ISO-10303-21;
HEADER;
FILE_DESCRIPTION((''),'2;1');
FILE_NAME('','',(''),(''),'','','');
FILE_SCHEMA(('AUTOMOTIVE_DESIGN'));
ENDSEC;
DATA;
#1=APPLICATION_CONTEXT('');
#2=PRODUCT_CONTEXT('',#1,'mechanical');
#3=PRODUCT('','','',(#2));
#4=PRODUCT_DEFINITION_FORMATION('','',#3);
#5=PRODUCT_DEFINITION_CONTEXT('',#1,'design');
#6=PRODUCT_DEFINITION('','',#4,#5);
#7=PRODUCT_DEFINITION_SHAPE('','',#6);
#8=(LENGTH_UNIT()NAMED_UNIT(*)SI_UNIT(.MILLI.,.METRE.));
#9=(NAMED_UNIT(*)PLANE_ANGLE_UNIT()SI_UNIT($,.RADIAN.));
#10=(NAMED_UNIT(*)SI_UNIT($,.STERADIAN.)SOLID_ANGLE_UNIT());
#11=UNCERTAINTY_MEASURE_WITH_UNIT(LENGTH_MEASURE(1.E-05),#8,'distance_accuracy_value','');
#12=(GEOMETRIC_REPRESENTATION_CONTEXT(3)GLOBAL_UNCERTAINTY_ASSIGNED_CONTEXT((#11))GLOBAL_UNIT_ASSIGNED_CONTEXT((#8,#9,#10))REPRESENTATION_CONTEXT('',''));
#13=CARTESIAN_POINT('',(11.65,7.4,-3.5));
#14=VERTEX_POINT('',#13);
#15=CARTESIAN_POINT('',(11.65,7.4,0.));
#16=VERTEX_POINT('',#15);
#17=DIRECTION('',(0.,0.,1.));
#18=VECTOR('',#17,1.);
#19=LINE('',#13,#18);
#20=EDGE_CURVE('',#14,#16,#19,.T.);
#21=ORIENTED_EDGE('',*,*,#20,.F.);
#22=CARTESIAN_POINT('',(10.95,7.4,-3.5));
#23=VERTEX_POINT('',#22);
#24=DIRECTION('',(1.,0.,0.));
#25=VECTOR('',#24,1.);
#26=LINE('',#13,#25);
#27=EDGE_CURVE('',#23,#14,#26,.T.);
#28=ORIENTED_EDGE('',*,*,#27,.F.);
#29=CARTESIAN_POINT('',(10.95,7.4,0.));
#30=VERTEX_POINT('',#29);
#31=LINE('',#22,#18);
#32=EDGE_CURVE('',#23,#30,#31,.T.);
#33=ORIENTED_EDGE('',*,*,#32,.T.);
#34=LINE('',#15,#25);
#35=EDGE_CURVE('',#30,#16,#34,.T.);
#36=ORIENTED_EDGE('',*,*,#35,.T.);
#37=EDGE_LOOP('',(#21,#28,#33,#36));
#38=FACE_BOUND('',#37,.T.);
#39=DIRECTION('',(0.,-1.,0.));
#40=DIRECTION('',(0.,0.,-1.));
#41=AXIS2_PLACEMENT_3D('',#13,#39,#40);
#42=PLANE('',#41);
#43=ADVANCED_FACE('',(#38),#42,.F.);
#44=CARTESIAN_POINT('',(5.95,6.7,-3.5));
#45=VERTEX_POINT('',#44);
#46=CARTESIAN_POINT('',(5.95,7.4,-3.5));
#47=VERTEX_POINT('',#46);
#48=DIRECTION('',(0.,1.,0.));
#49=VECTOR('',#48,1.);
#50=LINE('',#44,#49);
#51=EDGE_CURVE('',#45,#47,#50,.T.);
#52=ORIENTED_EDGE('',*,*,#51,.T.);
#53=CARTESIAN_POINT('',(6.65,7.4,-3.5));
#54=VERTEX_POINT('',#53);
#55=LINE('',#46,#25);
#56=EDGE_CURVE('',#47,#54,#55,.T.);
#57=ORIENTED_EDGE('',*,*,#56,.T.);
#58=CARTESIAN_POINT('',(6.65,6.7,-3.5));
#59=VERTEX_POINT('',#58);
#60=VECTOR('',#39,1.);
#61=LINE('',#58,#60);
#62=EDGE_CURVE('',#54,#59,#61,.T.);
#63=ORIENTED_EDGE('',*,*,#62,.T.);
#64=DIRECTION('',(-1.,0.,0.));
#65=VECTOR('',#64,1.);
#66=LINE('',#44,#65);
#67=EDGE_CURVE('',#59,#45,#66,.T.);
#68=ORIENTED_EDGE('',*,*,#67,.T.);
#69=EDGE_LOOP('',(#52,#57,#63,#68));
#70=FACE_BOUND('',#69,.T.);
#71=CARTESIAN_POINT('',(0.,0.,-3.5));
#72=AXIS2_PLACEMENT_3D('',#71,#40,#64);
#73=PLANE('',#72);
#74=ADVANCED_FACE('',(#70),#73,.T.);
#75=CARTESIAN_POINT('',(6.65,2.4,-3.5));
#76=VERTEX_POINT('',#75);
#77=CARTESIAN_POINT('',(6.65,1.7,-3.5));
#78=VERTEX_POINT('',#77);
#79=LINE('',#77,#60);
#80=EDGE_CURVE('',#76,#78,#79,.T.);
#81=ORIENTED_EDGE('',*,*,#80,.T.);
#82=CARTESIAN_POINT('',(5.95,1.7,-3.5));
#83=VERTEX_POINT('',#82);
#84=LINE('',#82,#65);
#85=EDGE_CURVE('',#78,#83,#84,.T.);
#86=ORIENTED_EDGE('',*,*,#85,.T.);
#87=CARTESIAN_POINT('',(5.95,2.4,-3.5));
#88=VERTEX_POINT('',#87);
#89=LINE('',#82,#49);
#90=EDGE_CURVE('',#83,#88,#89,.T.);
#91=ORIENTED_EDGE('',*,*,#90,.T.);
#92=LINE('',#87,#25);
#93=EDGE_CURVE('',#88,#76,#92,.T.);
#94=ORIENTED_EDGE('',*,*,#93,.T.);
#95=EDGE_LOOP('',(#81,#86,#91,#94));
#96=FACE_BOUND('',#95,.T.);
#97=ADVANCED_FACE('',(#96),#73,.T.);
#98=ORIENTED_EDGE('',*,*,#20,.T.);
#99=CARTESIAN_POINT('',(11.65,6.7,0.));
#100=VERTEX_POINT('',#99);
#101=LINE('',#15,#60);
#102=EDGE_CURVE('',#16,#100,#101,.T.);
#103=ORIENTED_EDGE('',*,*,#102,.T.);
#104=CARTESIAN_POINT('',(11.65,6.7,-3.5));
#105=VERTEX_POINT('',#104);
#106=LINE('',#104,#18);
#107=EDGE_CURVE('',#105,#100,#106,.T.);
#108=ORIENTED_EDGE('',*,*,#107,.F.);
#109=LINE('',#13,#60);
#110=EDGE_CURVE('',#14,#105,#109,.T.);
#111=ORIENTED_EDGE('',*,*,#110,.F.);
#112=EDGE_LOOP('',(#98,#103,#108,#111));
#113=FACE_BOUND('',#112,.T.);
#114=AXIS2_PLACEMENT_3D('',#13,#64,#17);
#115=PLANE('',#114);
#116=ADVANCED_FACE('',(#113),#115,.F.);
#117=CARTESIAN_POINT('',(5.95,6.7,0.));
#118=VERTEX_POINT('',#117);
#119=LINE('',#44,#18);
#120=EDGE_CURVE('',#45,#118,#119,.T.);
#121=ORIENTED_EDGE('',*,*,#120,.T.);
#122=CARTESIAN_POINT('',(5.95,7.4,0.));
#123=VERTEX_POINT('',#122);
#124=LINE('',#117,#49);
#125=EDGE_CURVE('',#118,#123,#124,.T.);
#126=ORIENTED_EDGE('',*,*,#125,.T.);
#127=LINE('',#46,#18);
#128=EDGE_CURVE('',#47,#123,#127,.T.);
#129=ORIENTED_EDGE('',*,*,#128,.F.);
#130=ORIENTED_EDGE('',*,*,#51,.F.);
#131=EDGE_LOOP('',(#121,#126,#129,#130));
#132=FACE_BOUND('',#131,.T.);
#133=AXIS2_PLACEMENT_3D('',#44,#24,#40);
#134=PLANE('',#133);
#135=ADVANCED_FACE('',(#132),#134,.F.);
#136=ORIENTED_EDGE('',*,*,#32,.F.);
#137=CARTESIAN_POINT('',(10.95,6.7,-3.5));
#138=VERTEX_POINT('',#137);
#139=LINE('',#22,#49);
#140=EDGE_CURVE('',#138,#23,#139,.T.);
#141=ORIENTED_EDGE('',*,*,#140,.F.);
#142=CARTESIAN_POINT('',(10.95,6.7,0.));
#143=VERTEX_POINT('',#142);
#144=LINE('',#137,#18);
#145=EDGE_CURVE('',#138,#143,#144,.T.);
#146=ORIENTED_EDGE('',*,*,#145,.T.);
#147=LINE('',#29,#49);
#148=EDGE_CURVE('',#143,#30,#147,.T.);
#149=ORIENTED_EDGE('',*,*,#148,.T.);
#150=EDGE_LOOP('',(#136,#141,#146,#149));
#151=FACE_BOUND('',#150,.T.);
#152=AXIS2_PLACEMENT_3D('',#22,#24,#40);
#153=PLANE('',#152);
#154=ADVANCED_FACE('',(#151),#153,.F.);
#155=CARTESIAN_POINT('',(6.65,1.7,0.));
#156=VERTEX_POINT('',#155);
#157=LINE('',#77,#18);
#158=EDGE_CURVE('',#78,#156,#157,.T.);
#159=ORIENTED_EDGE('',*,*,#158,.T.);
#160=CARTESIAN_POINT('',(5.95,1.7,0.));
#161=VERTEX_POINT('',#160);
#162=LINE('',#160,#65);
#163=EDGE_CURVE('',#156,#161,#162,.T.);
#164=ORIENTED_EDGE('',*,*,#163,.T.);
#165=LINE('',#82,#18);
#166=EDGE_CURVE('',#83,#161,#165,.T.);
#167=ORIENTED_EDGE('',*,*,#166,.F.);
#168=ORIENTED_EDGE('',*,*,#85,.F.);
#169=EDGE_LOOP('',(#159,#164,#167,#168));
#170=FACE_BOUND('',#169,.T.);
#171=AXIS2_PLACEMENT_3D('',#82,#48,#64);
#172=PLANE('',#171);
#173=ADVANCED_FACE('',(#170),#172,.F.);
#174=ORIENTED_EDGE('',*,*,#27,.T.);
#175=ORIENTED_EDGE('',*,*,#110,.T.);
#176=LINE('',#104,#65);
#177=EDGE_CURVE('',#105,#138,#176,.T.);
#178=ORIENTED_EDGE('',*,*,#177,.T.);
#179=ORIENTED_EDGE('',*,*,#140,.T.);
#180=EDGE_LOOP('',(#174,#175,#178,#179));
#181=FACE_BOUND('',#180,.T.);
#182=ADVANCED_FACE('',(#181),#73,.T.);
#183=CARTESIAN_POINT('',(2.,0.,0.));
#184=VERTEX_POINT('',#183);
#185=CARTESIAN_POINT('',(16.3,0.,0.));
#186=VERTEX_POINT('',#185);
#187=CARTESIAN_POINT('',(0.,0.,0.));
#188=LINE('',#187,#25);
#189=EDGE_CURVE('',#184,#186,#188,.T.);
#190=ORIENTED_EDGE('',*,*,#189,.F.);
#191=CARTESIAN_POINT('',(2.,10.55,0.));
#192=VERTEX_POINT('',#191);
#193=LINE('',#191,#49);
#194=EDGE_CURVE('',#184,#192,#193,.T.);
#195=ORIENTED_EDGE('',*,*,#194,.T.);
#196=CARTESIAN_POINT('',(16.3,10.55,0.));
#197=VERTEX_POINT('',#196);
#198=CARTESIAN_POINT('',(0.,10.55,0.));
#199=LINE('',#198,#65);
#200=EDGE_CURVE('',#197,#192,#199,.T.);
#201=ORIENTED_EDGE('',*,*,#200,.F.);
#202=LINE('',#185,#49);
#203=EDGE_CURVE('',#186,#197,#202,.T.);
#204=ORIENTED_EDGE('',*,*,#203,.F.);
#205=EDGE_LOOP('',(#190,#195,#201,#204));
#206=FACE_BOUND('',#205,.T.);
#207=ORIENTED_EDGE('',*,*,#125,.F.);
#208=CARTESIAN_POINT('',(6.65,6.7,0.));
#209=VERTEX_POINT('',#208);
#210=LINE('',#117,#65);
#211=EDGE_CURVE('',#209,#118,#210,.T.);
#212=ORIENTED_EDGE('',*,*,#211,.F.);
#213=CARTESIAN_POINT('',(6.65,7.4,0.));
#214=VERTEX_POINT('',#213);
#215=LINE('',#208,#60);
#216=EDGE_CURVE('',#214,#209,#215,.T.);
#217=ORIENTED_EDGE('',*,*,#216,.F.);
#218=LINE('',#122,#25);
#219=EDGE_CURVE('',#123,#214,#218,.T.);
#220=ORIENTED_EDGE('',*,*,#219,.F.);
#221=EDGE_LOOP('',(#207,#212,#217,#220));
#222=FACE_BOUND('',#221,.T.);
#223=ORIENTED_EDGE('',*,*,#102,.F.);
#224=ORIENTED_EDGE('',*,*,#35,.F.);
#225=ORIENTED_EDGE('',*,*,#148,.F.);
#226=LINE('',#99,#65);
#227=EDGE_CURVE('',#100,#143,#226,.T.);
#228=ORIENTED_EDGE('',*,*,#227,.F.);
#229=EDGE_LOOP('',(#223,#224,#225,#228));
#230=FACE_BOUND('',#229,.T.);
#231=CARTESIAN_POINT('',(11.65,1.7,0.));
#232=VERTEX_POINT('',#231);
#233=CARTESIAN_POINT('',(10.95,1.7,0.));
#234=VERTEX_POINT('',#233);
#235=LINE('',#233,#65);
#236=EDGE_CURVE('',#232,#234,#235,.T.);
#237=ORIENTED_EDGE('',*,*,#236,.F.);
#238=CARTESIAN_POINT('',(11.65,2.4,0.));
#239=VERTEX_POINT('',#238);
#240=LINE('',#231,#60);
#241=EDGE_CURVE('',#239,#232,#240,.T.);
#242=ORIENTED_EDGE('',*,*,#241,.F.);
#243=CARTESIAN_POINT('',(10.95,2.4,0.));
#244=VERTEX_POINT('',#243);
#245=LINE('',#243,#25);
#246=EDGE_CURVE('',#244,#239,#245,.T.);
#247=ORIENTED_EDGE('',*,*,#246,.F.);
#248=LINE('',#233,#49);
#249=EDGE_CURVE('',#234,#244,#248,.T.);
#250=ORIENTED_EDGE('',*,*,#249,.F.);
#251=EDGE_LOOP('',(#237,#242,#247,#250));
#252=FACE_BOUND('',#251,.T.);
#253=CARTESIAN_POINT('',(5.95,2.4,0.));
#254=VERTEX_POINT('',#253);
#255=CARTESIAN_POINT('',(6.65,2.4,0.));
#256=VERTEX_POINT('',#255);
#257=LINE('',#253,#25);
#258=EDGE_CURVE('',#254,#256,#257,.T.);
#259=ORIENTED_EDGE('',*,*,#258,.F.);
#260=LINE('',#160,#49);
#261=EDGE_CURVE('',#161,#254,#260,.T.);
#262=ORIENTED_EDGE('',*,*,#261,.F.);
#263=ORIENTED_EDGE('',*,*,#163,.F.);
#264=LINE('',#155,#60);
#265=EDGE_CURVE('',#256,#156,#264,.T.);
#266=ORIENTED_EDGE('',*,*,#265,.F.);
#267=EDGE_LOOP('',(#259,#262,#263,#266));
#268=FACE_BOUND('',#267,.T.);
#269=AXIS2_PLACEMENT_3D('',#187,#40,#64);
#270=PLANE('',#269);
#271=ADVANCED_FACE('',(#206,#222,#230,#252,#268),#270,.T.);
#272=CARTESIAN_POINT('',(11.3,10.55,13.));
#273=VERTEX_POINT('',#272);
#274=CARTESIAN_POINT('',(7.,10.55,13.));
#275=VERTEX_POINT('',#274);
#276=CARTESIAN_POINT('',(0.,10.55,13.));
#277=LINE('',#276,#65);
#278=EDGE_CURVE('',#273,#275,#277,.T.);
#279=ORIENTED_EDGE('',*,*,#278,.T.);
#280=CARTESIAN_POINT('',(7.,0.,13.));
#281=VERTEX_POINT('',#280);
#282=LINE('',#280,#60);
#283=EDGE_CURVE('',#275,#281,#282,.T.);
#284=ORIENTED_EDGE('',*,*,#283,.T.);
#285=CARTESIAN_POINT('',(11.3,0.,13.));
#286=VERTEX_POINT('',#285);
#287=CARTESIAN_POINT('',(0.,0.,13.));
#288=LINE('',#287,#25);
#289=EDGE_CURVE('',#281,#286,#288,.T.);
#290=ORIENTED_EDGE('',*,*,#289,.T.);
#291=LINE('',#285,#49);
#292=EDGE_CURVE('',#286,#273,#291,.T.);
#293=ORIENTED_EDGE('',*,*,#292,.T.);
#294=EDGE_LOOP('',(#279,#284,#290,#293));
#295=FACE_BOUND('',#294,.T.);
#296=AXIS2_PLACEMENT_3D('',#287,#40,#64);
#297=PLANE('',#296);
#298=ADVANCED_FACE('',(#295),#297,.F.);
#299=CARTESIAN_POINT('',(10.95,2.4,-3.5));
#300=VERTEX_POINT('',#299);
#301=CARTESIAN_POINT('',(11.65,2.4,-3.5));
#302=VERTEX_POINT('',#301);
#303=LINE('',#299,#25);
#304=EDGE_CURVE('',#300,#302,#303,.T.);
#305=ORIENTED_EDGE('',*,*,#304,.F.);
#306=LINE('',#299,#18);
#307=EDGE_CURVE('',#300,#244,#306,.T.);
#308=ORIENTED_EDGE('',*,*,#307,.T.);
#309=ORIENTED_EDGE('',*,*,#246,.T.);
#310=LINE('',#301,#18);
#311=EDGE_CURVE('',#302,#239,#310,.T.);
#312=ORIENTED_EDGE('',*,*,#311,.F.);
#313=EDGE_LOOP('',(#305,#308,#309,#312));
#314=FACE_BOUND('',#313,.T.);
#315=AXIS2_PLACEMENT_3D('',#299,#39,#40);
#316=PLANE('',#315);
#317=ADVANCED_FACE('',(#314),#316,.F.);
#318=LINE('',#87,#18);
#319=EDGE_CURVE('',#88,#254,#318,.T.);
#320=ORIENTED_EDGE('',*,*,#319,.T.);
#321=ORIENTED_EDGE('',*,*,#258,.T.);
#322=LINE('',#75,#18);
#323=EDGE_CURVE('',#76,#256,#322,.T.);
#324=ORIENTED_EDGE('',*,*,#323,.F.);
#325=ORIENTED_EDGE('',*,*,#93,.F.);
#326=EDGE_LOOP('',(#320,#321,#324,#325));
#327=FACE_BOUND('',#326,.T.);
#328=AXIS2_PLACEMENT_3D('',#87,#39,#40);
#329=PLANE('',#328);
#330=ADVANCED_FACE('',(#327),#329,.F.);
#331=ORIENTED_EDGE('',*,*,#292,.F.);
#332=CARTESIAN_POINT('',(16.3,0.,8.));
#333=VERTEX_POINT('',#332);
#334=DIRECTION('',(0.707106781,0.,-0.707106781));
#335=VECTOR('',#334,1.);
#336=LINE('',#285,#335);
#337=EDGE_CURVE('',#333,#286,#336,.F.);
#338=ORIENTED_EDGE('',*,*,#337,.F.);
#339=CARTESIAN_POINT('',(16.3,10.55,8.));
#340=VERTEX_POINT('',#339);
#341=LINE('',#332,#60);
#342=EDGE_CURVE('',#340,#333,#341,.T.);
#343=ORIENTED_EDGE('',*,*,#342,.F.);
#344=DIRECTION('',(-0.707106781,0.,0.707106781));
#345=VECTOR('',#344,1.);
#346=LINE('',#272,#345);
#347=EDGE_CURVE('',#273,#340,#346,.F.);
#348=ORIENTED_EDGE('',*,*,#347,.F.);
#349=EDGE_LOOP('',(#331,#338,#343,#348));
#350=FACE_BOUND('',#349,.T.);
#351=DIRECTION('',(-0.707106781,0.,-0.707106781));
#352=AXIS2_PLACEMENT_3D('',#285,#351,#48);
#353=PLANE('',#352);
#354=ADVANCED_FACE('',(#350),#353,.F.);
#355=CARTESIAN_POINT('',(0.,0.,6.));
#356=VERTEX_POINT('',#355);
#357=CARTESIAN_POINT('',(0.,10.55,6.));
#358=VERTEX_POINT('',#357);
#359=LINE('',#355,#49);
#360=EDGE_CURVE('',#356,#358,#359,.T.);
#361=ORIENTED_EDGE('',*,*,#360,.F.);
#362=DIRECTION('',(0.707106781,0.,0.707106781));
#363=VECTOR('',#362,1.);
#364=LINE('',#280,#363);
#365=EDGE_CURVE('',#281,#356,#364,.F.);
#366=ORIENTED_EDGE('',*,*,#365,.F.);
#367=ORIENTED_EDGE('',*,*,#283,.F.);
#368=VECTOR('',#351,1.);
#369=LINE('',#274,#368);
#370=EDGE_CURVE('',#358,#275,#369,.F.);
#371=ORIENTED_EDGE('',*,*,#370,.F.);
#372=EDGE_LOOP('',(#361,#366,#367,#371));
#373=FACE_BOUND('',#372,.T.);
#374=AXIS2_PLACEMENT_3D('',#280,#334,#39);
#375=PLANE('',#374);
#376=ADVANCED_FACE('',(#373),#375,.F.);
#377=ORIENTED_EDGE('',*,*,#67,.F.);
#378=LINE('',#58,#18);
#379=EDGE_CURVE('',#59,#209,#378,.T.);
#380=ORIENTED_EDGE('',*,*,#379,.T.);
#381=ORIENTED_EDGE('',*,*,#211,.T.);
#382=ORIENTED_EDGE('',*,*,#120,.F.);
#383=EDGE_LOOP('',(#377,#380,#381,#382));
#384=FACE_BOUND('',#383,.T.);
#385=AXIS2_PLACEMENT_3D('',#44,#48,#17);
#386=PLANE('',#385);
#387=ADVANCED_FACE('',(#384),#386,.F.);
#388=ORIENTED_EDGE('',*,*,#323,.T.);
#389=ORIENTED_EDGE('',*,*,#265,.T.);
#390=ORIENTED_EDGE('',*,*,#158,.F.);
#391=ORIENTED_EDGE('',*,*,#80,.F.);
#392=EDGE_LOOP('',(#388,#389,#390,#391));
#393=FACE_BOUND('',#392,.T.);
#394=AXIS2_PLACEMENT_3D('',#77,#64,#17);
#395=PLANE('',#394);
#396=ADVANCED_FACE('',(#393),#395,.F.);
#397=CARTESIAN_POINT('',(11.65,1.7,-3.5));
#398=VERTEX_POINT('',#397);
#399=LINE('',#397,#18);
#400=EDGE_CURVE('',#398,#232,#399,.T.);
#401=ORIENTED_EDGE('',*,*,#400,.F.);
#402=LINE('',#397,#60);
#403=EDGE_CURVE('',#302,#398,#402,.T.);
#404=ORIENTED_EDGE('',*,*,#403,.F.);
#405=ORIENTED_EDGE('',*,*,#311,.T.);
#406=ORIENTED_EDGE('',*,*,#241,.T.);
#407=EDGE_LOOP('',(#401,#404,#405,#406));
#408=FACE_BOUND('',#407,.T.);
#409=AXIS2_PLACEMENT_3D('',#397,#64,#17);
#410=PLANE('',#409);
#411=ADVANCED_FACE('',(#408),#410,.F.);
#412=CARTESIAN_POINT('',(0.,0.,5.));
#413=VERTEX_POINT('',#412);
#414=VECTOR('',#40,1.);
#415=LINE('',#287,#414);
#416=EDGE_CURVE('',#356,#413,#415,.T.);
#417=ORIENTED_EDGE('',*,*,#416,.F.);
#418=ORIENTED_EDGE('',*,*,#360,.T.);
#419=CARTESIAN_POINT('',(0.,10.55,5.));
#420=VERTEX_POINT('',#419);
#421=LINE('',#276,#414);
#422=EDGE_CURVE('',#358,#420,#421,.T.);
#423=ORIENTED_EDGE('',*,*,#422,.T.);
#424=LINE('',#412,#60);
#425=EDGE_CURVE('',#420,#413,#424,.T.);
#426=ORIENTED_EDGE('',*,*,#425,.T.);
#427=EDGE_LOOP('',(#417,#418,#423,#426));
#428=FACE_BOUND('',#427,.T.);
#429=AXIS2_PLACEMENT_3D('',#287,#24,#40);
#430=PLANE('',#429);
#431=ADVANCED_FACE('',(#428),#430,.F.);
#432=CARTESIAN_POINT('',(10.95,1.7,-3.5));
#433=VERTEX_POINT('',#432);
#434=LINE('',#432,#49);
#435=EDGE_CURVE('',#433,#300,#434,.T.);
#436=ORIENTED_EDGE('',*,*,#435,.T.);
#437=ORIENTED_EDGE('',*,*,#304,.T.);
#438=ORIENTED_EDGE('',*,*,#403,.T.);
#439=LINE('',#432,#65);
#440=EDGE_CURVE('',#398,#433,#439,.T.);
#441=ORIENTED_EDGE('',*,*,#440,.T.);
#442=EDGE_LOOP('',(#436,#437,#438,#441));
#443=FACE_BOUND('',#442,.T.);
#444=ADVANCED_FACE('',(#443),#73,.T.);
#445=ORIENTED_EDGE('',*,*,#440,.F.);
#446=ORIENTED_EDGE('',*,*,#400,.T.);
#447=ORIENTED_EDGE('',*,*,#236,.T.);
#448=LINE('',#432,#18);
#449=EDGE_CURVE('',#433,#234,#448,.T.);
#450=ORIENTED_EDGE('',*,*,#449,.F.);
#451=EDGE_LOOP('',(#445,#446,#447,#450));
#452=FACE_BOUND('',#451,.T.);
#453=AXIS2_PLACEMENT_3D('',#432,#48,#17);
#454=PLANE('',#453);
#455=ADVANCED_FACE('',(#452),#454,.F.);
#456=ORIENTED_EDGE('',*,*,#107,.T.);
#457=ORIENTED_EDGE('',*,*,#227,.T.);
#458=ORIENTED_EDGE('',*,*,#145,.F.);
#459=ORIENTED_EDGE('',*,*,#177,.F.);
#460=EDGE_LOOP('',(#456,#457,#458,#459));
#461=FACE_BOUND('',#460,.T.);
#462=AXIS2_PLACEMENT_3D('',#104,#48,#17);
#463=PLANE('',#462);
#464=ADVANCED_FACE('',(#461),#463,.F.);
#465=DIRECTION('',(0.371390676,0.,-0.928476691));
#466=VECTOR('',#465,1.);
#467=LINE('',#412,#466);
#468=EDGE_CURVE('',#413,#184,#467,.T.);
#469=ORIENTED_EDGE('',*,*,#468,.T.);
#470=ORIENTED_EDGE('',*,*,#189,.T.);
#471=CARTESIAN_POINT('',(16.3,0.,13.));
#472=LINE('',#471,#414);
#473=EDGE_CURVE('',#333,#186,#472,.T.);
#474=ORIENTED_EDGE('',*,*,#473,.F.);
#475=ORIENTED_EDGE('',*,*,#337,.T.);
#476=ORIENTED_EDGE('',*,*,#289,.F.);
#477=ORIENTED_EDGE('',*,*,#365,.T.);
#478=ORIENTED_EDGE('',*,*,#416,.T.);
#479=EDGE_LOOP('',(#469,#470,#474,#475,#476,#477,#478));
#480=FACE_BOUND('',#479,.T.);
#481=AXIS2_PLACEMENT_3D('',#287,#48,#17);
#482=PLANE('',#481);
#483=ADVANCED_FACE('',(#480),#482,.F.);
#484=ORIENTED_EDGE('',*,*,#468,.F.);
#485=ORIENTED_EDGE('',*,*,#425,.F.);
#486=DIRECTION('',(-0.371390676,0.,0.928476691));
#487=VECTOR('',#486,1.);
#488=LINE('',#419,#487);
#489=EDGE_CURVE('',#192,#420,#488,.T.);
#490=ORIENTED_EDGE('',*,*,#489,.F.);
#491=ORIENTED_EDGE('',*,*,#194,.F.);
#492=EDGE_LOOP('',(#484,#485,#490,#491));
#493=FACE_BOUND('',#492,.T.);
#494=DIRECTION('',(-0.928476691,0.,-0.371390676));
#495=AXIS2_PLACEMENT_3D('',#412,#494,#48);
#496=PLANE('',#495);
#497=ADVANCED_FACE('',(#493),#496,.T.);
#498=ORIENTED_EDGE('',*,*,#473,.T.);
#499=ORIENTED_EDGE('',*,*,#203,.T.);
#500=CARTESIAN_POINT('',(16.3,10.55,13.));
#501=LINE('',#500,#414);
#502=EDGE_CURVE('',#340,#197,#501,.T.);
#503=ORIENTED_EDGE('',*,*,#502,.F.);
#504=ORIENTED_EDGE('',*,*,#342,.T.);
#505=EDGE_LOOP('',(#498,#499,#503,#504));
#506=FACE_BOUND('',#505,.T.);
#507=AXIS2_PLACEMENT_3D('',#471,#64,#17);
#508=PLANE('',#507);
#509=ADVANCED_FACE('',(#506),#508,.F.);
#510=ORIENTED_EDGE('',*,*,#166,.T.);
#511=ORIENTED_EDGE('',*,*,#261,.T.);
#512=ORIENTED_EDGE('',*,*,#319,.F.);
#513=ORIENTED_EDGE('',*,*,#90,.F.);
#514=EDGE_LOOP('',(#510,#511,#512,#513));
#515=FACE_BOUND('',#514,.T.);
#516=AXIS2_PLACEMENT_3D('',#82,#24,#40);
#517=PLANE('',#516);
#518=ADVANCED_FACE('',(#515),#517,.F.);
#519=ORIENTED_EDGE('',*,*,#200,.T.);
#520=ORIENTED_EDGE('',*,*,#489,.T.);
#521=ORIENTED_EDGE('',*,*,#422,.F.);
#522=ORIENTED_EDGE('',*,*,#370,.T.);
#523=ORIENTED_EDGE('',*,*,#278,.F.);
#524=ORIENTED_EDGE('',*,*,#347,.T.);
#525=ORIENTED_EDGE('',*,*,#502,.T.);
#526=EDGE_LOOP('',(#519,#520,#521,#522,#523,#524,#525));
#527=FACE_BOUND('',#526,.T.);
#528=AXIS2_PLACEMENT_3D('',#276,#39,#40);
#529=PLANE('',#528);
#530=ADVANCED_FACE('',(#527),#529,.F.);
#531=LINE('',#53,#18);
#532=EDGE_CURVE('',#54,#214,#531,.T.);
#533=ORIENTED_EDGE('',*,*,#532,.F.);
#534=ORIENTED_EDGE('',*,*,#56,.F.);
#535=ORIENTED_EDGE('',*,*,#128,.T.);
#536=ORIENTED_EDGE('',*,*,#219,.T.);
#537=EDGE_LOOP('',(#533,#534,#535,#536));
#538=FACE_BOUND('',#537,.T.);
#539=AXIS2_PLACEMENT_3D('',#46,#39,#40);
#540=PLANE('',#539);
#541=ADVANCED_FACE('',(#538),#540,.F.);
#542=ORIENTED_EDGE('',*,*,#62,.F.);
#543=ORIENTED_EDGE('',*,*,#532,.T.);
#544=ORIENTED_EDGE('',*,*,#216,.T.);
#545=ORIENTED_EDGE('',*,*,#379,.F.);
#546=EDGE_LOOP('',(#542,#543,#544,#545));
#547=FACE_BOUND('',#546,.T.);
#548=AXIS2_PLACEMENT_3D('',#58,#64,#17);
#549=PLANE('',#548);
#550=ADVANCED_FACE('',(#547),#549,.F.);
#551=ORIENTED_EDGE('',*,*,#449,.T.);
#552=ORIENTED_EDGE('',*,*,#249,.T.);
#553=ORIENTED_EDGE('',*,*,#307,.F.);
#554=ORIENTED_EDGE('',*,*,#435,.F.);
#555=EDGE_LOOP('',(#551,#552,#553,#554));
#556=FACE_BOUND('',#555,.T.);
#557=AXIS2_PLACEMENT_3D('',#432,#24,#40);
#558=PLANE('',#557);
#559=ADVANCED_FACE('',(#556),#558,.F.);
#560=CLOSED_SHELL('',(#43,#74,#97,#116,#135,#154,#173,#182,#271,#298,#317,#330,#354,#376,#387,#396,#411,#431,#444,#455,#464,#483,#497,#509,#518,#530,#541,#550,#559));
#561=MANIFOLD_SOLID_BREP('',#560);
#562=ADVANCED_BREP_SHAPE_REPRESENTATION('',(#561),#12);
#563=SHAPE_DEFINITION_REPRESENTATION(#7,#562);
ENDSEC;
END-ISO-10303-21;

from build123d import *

# Parameters (mm, degrees)
SKETCH_1_W      = 16.3
SKETCH_1_H      = 10.55
EXTRUDE_1_DEPTH = 13
CHAMFER_1_SIZE  = 5
CHAMFER_3_SIZE  = 2
CHAMFER_3_SIZE2 = 5
CHAMFER_4_SIZE  = 7
SKETCH_2_W      = 0.7
SKETCH_2_H      = 0.7
EXTRUDE_2_DEPTH = 3.5


with BuildPart() as part:
    # Эскиз1 → Бобышка-Вытянуть1 (new body)
    with BuildSketch(Plane.XY):
        with Locations((8.15, 5.275)):
            Rectangle(SKETCH_1_W, SKETCH_1_H)
    extrude(amount=EXTRUDE_1_DEPTH)

    # Фаска1
    chamfer_1_edges = [part.edges().sort_by_distance(p)[0] for p in [
        (16.3, 5.275, 13),
    ]]
    chamfer(chamfer_1_edges, length=CHAMFER_1_SIZE)

    # Фаска3
    chamfer_3_edges = [part.edges().sort_by_distance(p)[0] for p in [
        (0, 5.275, 0),
    ]]
    chamfer_3_side = [part.faces().sort_by_distance(p)[0] for p in [
        (8.15, 5.275, 0),
    ]]
    chamfer(chamfer_3_edges, length=CHAMFER_3_SIZE, length2=CHAMFER_3_SIZE2, reference=chamfer_3_side[0])

    # Фаска4
    chamfer_4_edges = [part.edges().sort_by_distance(p)[0] for p in [
        (0, 5.275, 13),
    ]]
    chamfer(chamfer_4_edges, length=CHAMFER_4_SIZE)

    # Эскиз2 → Бобышка-Вытянуть2 (add)
    with BuildSketch(Plane(origin=(0, 0, 0), x_dir=(-1, 0, 0), z_dir=(0, 0, -1))):
        with Locations((-6.3, 2.05)):
            Rectangle(SKETCH_2_W, SKETCH_2_H)
        with Locations((-6.3, 7.05)):
            Rectangle(SKETCH_2_W, SKETCH_2_H)
        with Locations((-11.3, 2.05)):
            Rectangle(SKETCH_2_W, SKETCH_2_H)
        with Locations((-11.3, 7.05)):
            Rectangle(SKETCH_2_W, SKETCH_2_H)
    extrude(amount=EXTRUDE_2_DEPTH)


solid = part.part
